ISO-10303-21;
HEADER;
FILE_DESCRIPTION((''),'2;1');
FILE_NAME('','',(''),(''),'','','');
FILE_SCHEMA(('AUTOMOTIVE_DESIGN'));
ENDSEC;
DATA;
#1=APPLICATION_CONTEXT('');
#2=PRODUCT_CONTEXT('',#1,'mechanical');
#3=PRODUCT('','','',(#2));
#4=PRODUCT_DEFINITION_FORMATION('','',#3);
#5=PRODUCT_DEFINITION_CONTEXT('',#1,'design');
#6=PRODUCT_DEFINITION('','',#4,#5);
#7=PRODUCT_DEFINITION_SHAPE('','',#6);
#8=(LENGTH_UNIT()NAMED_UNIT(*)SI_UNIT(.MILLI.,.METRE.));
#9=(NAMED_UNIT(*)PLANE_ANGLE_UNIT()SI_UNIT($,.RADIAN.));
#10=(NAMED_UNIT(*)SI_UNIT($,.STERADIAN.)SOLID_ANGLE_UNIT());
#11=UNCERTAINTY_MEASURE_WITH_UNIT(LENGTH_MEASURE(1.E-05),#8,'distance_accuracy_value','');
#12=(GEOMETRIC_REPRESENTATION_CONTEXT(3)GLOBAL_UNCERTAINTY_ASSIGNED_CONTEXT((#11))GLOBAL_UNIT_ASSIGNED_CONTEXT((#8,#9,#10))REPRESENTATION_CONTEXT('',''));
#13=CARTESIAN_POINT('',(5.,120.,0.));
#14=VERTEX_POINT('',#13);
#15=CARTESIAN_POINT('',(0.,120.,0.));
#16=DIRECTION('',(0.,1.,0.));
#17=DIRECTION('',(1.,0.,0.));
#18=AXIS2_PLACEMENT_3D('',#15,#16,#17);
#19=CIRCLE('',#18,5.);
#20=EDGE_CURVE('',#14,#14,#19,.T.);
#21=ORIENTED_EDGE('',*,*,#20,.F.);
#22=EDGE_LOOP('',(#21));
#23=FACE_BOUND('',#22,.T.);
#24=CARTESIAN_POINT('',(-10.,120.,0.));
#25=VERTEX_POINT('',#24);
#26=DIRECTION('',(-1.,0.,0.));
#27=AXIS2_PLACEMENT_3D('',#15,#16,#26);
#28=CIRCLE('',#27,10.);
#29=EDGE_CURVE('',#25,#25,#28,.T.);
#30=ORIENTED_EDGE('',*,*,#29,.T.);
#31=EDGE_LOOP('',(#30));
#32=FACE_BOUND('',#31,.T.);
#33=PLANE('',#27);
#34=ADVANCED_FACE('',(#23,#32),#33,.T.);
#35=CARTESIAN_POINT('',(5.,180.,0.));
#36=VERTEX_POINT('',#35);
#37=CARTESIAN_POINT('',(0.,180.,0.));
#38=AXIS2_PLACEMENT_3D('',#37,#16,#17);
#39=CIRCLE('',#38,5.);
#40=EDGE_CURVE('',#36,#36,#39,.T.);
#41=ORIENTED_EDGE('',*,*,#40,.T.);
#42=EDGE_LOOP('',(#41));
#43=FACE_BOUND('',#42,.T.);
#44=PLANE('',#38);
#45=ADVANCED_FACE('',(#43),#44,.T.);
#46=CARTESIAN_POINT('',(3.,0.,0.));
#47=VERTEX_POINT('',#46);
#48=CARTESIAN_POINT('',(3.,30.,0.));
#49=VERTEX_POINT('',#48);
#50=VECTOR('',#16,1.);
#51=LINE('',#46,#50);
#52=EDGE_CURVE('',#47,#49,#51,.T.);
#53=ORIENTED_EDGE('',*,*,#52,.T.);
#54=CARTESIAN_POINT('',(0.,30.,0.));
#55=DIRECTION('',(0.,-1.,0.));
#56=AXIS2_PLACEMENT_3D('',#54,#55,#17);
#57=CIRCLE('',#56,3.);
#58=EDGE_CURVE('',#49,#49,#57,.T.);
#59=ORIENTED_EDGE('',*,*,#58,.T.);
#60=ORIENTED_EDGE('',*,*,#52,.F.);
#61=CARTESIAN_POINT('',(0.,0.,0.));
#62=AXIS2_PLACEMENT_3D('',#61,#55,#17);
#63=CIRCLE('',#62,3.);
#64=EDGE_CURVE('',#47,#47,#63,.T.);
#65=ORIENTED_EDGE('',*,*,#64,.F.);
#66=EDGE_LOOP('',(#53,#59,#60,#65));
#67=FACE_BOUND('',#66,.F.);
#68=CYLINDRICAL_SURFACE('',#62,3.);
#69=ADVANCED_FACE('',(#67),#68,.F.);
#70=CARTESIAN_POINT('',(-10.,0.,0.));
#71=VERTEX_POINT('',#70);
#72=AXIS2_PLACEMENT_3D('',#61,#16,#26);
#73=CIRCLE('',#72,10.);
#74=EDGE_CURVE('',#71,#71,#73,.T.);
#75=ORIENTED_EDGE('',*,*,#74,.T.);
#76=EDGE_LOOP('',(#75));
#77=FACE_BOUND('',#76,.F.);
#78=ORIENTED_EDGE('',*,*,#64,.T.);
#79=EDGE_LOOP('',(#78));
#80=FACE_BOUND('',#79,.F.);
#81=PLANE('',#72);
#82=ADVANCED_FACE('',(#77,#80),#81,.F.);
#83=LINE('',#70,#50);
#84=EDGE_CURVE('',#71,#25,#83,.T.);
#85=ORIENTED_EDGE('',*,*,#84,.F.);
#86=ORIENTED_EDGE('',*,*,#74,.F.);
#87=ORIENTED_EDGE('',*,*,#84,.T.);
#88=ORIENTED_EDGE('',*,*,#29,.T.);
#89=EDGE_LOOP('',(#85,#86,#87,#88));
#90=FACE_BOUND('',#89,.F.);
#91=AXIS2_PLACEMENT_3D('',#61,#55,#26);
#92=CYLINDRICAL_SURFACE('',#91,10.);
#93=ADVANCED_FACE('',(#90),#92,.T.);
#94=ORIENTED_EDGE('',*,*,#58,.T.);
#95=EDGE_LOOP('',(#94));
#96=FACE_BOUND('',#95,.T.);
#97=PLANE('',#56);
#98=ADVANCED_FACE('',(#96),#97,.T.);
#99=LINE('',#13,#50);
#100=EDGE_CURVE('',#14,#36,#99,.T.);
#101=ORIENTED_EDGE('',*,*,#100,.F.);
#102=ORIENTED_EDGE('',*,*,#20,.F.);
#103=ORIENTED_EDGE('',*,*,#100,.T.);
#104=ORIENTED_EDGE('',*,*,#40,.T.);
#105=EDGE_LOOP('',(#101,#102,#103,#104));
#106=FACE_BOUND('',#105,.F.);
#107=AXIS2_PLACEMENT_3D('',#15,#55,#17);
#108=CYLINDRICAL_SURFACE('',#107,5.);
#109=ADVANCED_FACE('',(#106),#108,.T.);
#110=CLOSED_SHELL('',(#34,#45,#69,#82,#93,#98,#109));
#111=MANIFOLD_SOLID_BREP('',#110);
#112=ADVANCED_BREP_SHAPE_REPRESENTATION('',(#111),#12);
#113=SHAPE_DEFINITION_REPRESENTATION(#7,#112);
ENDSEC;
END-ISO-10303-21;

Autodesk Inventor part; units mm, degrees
ref_plane "YZ Plane" through (0, 0, 0) normal (1, 0, 0) x (0, 1, 0)
ref_plane "XZ Plane" through (0, 0, 0) normal (0, 1, 0) x (-1, 0, 0)
ref_plane "XY Plane" through (0, 0, 0) normal (0, 0, 1) x (1, 0, 0)
sketch "Sketch1" plane through (0, 0, 0) normal (0, 1, 0) x (-1, 0, 0)
  circle A0 centre (0, 0) radius 10
  dimension "d0" = 20
extrude "Extrusion1" add sketch "Sketch1" along normal blind 120
sketch "Sketch2" plane through (0, 120, 0) normal (0, 1, 0) x (1, 0, 0)
  circle A0 centre (0, 0) radius 5
  dimension "d3" = 10
extrude "Extrusion2" add sketch "Sketch2" along normal blind 60
thread "Thread1" size "M10x1.5" class "6g" standard "ANSI Metric M Profile" full length
sketch "Sketch3" plane through (0, 0, 0) normal (0, -1, 0) x (1, 0, 0)
  circle A0 centre (0, 0) radius 3
  dimension "d8" = 6
extrude "Extrusion3" cut sketch "Sketch3" against normal blind 30
properties part number "center" material "Steel, Mild"
